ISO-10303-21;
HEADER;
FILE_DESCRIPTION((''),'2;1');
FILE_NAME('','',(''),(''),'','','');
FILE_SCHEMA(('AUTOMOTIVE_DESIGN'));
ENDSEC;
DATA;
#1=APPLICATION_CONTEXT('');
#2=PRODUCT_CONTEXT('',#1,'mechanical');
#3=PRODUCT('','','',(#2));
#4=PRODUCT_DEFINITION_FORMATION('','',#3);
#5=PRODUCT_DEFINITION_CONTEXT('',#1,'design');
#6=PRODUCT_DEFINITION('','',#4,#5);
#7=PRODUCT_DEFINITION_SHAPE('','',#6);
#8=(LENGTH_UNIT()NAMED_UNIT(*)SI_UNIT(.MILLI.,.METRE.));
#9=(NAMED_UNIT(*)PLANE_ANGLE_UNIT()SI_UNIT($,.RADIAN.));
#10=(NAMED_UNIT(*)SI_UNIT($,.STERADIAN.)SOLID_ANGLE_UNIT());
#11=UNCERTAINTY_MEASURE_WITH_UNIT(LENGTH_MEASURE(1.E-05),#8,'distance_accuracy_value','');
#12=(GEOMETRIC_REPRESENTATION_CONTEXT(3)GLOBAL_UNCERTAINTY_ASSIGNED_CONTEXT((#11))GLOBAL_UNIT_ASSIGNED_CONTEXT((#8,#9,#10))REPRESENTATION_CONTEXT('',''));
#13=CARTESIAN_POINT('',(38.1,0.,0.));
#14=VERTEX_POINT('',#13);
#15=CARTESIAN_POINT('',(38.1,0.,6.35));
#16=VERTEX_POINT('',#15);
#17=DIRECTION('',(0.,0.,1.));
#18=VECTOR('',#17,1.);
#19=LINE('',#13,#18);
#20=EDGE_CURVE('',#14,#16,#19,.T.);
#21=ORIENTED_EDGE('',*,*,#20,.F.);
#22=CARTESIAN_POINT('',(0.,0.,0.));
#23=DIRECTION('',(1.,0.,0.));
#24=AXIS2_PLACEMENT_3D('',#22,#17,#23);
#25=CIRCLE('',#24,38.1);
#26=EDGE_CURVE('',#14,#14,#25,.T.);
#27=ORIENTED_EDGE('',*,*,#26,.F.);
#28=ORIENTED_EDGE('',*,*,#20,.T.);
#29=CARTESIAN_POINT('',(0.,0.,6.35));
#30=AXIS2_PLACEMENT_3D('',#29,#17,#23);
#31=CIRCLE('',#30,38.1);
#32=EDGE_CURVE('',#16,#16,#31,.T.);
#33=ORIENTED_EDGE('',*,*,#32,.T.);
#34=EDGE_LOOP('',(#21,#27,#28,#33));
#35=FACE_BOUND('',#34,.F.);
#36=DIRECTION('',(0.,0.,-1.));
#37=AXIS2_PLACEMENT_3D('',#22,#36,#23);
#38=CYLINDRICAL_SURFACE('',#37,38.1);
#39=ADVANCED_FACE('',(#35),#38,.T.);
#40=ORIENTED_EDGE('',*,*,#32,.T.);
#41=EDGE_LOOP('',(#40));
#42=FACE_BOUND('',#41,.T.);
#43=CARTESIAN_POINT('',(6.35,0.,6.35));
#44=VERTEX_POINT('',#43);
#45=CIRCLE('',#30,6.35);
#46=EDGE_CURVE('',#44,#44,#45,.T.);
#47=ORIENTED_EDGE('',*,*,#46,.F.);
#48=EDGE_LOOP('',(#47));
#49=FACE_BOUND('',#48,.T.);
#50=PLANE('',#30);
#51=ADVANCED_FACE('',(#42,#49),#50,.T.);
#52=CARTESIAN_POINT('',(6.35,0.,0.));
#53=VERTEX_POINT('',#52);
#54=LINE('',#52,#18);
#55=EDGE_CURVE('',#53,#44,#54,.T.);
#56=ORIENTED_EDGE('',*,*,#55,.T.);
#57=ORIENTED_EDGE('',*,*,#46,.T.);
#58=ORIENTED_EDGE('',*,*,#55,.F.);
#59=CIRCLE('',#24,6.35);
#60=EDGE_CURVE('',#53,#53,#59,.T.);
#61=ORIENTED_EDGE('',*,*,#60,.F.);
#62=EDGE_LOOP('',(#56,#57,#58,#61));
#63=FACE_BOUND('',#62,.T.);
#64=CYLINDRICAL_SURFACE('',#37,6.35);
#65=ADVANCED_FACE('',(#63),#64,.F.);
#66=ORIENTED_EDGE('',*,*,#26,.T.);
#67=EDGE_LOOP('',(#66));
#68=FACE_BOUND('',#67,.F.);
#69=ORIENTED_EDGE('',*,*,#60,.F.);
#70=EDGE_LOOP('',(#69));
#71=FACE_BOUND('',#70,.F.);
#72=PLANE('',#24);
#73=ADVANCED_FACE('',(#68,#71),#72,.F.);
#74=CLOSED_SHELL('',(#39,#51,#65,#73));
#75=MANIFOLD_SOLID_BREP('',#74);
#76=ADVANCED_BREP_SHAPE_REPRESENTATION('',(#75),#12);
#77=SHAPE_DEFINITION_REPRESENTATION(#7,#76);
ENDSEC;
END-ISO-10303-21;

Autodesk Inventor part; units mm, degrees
ref_plane "YZ Plane" through (0, 0, 0) normal (1, 0, 0) x (0, 1, 0)
ref_plane "XZ Plane" through (0, 0, 0) normal (0, 1, 0) x (-1, 0, 0)
ref_plane "XY Plane" through (0, 0, 0) normal (0, 0, 1) x (1, 0, 0)
sketch "Sketch1" plane through (0, 0, 0) normal (0, 0, 1) x (1, 0, 0)
  circle A0 centre (0, 0) radius 6.35
  circle A1 centre (0, 0) radius 38.1
extrude "Extrusion1" add sketch "Sketch1" along normal blind 6.35
